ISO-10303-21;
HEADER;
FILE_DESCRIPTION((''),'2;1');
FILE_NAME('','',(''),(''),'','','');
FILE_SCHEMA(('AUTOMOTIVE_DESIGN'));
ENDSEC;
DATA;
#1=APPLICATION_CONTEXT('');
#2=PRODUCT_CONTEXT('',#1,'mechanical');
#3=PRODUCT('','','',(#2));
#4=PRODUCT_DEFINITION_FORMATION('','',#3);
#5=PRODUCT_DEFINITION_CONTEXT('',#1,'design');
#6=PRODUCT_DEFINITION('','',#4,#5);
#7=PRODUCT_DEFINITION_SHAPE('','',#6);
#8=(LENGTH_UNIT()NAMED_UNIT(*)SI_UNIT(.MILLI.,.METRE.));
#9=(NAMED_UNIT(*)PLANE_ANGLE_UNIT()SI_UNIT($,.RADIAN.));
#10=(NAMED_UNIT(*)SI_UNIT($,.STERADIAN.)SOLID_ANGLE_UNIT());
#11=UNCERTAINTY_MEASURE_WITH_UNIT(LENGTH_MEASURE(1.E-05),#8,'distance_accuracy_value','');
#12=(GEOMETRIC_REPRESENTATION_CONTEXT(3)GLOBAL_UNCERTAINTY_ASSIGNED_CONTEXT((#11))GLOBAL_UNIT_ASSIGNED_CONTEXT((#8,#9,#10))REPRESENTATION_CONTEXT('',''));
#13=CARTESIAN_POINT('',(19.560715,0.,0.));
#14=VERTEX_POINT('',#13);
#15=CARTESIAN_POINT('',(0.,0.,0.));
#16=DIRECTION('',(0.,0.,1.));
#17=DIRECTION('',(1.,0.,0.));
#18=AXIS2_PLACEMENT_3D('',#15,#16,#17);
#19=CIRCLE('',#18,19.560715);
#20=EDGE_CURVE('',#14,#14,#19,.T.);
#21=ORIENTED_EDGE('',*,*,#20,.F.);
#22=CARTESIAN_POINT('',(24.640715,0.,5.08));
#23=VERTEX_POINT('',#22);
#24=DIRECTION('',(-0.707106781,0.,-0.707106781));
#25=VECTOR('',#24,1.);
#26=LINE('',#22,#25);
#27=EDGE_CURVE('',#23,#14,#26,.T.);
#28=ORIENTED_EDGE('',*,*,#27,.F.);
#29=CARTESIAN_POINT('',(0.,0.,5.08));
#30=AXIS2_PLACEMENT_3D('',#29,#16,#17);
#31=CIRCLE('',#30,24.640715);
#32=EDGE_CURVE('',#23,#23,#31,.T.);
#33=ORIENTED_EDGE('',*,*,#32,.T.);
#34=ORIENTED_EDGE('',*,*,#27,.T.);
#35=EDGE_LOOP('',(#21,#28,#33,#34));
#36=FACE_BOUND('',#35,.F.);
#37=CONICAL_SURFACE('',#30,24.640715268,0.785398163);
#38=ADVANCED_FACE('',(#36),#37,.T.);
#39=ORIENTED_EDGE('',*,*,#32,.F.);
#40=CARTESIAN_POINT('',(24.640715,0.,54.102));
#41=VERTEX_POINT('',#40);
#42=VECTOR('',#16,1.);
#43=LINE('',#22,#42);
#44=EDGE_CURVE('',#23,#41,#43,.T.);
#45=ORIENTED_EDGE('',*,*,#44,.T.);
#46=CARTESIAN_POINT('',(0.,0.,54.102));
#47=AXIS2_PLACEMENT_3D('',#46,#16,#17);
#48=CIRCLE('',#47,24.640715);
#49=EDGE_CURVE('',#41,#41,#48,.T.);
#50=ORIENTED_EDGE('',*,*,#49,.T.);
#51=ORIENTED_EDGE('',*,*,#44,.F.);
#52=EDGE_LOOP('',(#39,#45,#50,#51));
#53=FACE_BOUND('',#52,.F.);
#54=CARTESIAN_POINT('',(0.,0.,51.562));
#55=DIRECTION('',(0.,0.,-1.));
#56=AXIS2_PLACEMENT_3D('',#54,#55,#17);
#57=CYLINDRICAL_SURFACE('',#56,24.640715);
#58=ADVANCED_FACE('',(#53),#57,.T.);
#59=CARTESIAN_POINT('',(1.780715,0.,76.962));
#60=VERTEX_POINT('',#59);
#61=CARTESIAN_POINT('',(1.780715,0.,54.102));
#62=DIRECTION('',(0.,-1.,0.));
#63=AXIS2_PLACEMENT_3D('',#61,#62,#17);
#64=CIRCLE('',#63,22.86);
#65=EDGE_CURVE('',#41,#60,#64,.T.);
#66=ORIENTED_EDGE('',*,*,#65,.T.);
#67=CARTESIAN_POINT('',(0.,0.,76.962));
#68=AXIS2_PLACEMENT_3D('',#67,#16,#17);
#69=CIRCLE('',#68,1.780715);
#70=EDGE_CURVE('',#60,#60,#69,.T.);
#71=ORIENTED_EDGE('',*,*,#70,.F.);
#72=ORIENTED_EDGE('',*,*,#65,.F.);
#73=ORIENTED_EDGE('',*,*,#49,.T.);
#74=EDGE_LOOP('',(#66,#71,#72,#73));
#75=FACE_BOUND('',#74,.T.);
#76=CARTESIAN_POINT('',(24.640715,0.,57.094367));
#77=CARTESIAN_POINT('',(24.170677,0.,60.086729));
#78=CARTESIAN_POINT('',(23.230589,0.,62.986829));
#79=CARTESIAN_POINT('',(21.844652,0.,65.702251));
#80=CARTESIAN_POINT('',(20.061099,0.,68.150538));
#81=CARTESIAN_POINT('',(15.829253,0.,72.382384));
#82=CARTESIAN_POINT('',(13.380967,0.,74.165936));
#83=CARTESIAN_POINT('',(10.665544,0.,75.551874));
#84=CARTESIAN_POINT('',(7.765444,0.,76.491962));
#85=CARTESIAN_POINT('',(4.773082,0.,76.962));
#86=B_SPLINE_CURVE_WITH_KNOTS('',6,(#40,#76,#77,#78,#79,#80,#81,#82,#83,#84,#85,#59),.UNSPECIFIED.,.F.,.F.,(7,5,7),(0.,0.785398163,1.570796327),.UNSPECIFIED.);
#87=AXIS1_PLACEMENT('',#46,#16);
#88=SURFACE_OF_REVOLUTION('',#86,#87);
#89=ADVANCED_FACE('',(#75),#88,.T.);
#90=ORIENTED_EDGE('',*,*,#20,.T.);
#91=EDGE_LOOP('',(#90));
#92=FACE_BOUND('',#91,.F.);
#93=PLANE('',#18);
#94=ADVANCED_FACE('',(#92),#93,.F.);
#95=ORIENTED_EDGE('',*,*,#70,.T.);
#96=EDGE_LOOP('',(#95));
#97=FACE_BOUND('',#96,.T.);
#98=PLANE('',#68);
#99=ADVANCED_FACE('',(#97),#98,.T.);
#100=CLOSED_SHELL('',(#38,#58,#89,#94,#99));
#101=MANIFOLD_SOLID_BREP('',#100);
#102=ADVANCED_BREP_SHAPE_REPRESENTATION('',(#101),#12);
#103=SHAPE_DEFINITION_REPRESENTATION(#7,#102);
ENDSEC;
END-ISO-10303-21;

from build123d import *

# Parameters (mm, degrees)
F0_R     = 24.6407152677
F1_DEPTH = 51.562
F2_SIZE  = 5.08
F3_DEPTH = 25.4
F4_R     = 22.86


with BuildPart() as f1:
    # F0 (on Top) → F1 (new body)
    with BuildSketch(Plane.XY):
        Circle(F0_R)
    extrude(amount=F1_DEPTH)

    # F2
    f2_edges = [f1.edges().sort_by_distance(p)[0] for p in [
        (-24.640715, 0, 0),
    ]]
    chamfer(f2_edges, length=F2_SIZE)

    # F3 (add): a face of the model
    f3_faces = [f1.faces().sort_by_distance(p)[0] for p in [
        (0, 0, 51.562),
    ]]
    extrude(f3_faces, amount=F3_DEPTH)

    # F4
    f4_edges = [f1.edges().sort_by_distance(p)[0] for p in [
        (-24.640715, 0, 76.962),
    ]]
    fillet(f4_edges, radius=F4_R)


solid = f1.part
